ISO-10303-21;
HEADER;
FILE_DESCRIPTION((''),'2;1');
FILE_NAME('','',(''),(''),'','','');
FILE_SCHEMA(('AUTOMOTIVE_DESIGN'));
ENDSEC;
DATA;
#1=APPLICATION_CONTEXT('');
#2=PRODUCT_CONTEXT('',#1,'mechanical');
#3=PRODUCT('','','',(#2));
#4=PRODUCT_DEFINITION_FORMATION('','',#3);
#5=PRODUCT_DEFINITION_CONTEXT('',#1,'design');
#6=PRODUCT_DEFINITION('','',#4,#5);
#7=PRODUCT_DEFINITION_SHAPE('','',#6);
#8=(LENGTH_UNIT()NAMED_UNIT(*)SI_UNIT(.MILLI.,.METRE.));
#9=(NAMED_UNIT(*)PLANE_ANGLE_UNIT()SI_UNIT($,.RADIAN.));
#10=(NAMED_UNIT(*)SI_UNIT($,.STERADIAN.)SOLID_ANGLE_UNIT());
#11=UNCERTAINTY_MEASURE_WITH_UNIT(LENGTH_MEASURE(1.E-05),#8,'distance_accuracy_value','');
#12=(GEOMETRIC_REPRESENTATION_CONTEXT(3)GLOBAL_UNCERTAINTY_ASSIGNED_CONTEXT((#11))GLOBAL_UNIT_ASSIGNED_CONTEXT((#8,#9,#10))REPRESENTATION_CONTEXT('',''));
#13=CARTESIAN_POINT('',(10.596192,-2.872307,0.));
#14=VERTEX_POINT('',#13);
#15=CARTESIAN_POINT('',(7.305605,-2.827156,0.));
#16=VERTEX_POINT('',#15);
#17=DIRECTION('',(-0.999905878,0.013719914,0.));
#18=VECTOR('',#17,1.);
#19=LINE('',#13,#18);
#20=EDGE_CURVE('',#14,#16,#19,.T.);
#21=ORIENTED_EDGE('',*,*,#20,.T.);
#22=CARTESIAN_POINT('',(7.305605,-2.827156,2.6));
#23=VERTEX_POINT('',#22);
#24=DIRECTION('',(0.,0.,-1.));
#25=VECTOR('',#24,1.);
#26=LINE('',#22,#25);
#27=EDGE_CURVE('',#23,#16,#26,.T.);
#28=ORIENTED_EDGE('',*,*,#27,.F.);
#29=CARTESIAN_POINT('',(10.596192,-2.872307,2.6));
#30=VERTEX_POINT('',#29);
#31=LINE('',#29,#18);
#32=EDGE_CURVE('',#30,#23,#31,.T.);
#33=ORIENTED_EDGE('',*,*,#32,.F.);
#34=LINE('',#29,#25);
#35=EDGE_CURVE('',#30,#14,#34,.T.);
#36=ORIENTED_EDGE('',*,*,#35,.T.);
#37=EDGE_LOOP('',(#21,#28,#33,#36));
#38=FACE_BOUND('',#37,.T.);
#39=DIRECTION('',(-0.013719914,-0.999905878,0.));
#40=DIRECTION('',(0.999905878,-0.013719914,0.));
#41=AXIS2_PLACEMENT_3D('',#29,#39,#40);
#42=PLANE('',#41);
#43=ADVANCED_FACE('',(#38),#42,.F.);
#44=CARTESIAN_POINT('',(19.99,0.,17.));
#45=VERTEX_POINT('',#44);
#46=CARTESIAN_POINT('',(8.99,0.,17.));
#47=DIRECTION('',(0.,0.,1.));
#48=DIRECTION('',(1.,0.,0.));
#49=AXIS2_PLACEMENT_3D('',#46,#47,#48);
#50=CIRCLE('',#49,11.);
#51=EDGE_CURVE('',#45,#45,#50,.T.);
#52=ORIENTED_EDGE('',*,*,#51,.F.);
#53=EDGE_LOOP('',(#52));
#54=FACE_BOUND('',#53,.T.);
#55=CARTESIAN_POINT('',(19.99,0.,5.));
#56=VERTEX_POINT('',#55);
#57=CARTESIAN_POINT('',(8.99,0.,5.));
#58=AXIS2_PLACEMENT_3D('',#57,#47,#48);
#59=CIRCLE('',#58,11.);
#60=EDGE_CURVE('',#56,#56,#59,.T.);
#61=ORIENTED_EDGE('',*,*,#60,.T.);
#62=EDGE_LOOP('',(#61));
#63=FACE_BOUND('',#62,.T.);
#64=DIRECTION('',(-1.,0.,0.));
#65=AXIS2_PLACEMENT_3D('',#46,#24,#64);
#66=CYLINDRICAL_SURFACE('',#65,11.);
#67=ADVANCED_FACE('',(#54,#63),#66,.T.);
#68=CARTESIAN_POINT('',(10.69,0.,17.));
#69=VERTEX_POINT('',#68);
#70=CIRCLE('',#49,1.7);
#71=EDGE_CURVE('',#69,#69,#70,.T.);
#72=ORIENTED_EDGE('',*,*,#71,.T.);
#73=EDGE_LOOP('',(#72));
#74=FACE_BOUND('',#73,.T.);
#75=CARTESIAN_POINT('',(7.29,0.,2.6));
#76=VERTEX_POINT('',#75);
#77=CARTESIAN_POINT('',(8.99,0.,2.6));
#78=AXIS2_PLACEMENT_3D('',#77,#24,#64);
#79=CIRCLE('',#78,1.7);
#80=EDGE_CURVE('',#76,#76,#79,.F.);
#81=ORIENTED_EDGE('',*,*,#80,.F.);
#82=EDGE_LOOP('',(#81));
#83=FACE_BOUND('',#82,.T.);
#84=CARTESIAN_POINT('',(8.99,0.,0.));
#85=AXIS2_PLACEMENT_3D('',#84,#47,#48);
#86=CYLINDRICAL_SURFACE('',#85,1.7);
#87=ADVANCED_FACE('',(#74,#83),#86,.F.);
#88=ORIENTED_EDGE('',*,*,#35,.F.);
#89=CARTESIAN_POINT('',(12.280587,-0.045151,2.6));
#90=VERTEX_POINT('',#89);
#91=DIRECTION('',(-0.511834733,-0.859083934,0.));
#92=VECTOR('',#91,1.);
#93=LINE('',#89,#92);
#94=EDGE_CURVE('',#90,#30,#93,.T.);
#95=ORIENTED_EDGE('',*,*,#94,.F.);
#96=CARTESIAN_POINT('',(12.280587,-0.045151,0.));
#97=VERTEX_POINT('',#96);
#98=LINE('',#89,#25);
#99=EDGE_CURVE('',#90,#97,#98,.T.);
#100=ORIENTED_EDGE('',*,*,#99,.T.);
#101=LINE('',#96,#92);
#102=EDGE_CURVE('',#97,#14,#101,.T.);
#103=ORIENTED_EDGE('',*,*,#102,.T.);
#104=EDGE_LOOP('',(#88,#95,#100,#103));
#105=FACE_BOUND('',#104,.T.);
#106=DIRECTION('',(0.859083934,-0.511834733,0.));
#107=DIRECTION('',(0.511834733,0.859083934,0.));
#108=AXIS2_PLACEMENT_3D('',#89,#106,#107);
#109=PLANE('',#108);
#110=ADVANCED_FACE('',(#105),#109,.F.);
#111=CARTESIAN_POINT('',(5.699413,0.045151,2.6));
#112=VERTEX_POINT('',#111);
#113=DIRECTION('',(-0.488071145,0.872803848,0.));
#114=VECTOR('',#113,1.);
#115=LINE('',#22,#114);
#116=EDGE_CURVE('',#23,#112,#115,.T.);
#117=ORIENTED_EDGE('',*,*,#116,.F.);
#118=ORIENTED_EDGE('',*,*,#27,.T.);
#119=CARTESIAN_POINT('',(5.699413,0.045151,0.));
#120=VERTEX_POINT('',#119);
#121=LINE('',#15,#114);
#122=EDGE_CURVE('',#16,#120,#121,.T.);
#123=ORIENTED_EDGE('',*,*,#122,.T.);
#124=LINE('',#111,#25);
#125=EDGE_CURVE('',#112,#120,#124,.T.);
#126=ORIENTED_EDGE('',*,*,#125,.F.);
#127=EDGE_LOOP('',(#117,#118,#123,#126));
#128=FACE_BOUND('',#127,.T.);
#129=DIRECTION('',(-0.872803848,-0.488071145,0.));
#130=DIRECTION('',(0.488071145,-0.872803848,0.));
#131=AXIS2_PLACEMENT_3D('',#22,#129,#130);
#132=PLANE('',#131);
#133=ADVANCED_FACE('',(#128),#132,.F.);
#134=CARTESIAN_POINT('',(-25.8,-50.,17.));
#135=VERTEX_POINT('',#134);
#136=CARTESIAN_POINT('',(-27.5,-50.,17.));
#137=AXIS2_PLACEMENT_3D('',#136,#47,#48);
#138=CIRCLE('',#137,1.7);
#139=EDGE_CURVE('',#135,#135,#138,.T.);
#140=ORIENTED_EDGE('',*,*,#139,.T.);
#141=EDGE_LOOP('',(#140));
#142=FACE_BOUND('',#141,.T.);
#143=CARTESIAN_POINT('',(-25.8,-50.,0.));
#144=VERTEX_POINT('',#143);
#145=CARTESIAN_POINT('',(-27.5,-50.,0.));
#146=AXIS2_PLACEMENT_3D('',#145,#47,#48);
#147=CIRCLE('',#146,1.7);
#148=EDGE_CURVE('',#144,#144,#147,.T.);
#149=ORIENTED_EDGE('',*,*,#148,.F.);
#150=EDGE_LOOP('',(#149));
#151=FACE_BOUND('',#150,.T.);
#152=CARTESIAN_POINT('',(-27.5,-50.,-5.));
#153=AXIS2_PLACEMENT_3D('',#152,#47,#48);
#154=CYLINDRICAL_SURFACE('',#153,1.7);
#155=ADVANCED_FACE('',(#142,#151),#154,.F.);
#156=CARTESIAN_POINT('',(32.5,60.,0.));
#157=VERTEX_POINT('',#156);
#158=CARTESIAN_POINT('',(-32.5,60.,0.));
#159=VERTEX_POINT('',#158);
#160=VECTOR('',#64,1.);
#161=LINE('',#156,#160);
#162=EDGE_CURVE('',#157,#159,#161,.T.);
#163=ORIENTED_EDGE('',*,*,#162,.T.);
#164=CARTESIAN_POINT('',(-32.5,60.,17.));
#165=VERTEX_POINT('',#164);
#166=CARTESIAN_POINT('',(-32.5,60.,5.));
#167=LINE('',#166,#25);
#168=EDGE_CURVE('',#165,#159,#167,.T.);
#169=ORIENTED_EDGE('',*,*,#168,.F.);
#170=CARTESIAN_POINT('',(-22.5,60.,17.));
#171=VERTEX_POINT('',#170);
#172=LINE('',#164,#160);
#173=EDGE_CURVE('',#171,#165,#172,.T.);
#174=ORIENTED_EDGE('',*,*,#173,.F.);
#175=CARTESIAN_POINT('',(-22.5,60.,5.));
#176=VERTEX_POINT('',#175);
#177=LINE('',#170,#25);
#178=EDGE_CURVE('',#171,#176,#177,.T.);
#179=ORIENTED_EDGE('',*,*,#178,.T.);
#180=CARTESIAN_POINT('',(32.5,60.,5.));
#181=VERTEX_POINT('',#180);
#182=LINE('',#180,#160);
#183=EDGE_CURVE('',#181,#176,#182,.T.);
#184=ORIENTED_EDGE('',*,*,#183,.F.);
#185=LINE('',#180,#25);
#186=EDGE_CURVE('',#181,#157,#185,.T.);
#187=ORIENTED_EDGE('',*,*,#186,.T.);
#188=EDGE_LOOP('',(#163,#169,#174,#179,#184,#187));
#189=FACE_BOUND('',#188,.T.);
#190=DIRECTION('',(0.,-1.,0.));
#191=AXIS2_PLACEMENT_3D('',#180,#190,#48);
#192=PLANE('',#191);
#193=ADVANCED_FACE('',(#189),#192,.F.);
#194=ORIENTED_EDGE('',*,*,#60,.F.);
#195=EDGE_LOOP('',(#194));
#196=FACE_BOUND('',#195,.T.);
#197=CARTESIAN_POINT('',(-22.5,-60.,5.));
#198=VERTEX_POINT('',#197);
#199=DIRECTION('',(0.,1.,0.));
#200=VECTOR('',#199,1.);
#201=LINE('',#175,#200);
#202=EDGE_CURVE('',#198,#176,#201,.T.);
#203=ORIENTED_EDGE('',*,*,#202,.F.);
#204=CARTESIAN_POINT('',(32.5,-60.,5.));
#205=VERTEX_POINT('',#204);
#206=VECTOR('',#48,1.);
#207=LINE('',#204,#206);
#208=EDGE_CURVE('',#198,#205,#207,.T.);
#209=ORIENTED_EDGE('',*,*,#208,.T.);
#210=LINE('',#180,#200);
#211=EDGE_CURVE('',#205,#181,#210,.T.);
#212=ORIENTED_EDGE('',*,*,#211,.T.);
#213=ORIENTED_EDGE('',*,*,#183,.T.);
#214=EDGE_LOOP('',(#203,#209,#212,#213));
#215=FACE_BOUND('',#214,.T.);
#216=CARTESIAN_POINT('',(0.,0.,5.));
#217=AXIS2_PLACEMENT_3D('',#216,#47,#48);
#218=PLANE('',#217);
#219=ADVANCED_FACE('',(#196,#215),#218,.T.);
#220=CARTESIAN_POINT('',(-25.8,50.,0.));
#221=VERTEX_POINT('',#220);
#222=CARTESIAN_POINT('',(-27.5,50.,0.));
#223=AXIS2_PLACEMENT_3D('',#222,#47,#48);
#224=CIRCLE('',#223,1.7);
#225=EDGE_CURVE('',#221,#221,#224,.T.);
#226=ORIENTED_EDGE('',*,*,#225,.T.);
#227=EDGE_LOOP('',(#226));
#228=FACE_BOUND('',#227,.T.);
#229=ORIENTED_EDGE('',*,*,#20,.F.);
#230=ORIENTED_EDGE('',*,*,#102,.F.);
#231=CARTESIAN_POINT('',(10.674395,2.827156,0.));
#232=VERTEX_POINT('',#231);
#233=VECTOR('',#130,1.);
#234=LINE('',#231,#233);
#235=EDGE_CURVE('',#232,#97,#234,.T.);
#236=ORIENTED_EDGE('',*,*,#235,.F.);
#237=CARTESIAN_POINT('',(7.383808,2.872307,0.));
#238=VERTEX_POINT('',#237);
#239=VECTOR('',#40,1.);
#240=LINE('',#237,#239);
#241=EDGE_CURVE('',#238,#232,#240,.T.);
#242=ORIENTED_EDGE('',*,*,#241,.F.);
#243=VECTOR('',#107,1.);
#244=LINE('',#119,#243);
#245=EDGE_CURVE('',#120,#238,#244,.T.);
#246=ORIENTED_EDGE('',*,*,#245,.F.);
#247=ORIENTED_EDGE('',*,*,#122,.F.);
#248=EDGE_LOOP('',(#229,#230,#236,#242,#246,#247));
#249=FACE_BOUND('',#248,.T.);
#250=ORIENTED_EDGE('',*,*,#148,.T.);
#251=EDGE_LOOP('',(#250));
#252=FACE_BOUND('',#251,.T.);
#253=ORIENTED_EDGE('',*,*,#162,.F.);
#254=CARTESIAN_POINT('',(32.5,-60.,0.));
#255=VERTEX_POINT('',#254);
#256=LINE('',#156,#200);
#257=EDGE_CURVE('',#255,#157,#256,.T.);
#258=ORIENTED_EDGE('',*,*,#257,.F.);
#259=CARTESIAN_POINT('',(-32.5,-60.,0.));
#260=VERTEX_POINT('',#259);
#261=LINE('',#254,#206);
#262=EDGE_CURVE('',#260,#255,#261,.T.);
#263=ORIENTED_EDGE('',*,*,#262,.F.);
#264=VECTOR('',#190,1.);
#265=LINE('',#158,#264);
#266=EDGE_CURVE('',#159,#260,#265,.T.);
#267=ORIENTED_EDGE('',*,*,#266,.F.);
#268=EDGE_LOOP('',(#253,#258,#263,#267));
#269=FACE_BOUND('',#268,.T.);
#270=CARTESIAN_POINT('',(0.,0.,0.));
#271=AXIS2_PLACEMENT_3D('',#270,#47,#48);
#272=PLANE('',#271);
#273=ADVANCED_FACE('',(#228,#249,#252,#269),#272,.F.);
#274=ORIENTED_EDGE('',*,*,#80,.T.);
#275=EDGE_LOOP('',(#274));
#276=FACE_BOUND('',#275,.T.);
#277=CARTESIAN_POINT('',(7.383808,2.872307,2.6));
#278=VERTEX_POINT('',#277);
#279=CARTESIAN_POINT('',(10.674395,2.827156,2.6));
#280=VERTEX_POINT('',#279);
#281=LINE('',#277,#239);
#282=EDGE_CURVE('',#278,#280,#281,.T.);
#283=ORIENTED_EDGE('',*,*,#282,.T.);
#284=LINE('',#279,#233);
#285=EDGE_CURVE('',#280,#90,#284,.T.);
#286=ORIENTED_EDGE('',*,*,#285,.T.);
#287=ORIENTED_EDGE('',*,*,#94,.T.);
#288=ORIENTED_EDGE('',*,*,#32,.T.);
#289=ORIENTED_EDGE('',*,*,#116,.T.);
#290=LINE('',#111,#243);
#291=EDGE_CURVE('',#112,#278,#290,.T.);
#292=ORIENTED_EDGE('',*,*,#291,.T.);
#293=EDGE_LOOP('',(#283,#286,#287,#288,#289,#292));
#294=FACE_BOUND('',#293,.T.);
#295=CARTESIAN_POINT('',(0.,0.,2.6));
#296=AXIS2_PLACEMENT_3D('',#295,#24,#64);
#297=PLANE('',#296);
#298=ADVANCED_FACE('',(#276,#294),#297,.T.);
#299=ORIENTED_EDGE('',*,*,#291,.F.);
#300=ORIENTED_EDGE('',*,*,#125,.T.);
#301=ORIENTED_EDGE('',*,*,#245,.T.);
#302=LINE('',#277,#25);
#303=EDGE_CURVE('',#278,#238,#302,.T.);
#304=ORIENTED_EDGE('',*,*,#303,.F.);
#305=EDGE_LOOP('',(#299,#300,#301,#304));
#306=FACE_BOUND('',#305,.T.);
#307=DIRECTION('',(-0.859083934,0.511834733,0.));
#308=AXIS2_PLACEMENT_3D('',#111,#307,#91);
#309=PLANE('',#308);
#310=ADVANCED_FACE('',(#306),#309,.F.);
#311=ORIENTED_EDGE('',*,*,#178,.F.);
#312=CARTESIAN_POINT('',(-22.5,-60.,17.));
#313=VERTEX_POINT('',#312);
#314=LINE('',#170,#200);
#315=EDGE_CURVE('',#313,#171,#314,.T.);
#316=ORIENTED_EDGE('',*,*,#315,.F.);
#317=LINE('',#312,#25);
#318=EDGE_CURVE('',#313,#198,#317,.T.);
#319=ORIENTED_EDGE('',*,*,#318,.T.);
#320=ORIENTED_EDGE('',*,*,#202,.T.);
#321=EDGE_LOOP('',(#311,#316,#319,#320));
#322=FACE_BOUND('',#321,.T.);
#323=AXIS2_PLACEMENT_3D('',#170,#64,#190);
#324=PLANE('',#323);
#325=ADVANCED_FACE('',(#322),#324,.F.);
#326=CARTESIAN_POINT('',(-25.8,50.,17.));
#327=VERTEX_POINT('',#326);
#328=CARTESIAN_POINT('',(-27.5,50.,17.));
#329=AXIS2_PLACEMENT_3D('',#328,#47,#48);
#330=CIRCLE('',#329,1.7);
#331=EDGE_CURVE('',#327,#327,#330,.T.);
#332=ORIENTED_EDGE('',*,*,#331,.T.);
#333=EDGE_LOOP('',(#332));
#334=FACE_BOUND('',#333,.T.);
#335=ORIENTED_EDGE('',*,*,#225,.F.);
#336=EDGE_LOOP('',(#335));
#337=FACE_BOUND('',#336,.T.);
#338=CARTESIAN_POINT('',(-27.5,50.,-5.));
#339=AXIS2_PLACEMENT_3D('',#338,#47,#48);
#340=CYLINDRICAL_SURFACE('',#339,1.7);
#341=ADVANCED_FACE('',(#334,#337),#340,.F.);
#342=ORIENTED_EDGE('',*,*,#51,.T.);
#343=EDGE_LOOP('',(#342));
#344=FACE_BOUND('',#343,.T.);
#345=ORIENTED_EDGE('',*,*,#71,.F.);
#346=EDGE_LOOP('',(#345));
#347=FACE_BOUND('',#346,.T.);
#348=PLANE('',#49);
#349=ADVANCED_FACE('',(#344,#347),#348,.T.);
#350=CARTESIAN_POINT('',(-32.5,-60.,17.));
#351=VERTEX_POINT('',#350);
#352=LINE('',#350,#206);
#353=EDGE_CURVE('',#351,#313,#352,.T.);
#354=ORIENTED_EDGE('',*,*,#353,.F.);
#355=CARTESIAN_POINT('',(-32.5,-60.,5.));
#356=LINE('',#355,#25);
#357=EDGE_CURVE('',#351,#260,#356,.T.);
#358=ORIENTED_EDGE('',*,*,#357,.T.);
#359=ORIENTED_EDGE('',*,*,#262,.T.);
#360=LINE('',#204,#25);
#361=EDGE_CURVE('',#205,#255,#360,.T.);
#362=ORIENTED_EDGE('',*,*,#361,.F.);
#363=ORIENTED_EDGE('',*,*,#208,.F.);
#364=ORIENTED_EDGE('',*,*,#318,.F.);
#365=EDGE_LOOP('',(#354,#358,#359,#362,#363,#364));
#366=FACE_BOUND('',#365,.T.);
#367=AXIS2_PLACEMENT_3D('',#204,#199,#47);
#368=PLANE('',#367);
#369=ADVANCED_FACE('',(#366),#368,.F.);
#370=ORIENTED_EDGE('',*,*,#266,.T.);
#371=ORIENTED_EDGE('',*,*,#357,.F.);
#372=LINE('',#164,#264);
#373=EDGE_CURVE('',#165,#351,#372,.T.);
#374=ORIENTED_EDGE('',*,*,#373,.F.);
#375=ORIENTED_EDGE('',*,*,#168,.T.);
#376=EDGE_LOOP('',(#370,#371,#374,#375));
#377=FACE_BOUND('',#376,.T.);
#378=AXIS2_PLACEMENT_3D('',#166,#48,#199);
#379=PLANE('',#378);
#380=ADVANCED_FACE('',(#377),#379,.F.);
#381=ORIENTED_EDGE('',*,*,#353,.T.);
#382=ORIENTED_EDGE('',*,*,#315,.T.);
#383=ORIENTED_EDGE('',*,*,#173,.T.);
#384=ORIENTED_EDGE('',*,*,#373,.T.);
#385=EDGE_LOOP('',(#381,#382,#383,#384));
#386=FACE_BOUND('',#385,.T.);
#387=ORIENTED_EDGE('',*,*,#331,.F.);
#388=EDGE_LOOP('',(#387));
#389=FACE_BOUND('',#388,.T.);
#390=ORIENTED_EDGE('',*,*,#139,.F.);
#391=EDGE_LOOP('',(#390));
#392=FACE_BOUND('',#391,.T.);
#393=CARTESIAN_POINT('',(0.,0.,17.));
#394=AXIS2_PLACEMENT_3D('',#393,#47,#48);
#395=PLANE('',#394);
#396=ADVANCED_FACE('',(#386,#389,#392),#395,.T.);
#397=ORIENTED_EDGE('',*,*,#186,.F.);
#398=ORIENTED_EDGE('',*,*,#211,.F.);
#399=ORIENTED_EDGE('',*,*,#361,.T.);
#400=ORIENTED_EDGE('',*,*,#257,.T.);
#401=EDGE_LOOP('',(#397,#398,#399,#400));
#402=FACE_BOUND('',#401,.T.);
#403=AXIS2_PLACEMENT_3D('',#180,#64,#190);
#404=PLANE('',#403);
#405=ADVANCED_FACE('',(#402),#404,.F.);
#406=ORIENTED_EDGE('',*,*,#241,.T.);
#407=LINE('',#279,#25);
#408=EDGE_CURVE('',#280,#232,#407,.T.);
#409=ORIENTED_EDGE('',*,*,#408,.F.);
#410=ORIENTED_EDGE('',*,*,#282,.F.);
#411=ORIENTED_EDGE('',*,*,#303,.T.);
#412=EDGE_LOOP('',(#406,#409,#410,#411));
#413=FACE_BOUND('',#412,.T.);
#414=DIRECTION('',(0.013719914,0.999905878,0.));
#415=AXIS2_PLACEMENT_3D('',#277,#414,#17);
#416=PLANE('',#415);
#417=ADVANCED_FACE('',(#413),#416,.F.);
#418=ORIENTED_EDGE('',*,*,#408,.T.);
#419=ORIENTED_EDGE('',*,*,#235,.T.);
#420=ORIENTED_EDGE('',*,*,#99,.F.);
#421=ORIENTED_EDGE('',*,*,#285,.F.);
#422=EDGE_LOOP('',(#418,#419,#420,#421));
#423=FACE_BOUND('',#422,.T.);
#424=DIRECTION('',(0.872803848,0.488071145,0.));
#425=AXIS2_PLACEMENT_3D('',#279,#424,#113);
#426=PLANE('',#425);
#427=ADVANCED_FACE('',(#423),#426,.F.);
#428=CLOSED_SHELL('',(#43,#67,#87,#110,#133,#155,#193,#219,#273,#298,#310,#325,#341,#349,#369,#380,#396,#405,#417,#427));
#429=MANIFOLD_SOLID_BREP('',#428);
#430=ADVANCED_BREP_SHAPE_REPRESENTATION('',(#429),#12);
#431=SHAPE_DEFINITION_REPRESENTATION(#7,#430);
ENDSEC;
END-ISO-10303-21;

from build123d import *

# Parameters (mm, degrees)
SKETCH1_W           = 120
SKETCH1_H           = 65
BOSS_EXTRUDE1_DEPTH = 5
SKETCH2_W           = 10
SKETCH2_H           = 120
BOSS_EXTRUDE2_DEPTH = 12
SKETCH3_R           = 11
BOSS_EXTRUDE3_DEPTH = 12
SKETCH4_R           = 1.7
CUT_EXTRUDE1_DEPTH  = 22
SKETCH5_R           = 1.7
CUT_EXTRUDE2_DEPTH  = 17
CUT_EXTRUDE3_DEPTH  = 2.6


with BuildPart() as part:
    # Sketch1 → Boss-Extrude1 (new body)
    with BuildSketch(Plane(origin=(0, 0, 0), x_dir=(0, 1, 0), z_dir=(0, 0, 1))):
        Rectangle(SKETCH1_W, SKETCH1_H)
    extrude(amount=BOSS_EXTRUDE1_DEPTH)

    # Sketch2 → Boss-Extrude2 (add)
    with BuildSketch(Plane.XY.offset(5)):
        with Locations((-27.5, 0)):
            Rectangle(SKETCH2_W, SKETCH2_H)
    extrude(amount=BOSS_EXTRUDE2_DEPTH)

    # Sketch3 → Boss-Extrude3 (add)
    with BuildSketch(Plane.XY.offset(5)):
        with Locations((8.99, 0)):
            Circle(SKETCH3_R)
    extrude(amount=BOSS_EXTRUDE3_DEPTH)

    # Sketch4 → Cut-Extrude1 (cut)
    with BuildSketch(Plane.XY.offset(17)):
        with Locations((-27.5, 50)):
            Circle(SKETCH4_R)
        with Locations((-27.5, -50)):
            Circle(SKETCH4_R)
    extrude(amount=-CUT_EXTRUDE1_DEPTH, mode=Mode.SUBTRACT)

    # Sketch5 → Cut-Extrude2 (cut)
    with BuildSketch(Plane.XY.offset(17)):
        with Locations((8.99, 0)):
            Circle(SKETCH5_R)
    extrude(amount=-CUT_EXTRUDE2_DEPTH, mode=Mode.SUBTRACT)

    # Sketch6 → Cut-Extrude3 (cut)
    with BuildSketch(Plane(origin=(0, 0, 0), x_dir=(1, 0, 0), z_dir=(0, 0, -1))):
        Polygon((7.383808361, -2.87230716), (10.674395148, -2.827156342), (12.280586787, 0.045150817), (10.596191639, 2.87230716), (7.305604852, 2.827156342), (5.699413213, -0.045150817), align=None)
    extrude(amount=-CUT_EXTRUDE3_DEPTH, mode=Mode.SUBTRACT)


solid = part.part
